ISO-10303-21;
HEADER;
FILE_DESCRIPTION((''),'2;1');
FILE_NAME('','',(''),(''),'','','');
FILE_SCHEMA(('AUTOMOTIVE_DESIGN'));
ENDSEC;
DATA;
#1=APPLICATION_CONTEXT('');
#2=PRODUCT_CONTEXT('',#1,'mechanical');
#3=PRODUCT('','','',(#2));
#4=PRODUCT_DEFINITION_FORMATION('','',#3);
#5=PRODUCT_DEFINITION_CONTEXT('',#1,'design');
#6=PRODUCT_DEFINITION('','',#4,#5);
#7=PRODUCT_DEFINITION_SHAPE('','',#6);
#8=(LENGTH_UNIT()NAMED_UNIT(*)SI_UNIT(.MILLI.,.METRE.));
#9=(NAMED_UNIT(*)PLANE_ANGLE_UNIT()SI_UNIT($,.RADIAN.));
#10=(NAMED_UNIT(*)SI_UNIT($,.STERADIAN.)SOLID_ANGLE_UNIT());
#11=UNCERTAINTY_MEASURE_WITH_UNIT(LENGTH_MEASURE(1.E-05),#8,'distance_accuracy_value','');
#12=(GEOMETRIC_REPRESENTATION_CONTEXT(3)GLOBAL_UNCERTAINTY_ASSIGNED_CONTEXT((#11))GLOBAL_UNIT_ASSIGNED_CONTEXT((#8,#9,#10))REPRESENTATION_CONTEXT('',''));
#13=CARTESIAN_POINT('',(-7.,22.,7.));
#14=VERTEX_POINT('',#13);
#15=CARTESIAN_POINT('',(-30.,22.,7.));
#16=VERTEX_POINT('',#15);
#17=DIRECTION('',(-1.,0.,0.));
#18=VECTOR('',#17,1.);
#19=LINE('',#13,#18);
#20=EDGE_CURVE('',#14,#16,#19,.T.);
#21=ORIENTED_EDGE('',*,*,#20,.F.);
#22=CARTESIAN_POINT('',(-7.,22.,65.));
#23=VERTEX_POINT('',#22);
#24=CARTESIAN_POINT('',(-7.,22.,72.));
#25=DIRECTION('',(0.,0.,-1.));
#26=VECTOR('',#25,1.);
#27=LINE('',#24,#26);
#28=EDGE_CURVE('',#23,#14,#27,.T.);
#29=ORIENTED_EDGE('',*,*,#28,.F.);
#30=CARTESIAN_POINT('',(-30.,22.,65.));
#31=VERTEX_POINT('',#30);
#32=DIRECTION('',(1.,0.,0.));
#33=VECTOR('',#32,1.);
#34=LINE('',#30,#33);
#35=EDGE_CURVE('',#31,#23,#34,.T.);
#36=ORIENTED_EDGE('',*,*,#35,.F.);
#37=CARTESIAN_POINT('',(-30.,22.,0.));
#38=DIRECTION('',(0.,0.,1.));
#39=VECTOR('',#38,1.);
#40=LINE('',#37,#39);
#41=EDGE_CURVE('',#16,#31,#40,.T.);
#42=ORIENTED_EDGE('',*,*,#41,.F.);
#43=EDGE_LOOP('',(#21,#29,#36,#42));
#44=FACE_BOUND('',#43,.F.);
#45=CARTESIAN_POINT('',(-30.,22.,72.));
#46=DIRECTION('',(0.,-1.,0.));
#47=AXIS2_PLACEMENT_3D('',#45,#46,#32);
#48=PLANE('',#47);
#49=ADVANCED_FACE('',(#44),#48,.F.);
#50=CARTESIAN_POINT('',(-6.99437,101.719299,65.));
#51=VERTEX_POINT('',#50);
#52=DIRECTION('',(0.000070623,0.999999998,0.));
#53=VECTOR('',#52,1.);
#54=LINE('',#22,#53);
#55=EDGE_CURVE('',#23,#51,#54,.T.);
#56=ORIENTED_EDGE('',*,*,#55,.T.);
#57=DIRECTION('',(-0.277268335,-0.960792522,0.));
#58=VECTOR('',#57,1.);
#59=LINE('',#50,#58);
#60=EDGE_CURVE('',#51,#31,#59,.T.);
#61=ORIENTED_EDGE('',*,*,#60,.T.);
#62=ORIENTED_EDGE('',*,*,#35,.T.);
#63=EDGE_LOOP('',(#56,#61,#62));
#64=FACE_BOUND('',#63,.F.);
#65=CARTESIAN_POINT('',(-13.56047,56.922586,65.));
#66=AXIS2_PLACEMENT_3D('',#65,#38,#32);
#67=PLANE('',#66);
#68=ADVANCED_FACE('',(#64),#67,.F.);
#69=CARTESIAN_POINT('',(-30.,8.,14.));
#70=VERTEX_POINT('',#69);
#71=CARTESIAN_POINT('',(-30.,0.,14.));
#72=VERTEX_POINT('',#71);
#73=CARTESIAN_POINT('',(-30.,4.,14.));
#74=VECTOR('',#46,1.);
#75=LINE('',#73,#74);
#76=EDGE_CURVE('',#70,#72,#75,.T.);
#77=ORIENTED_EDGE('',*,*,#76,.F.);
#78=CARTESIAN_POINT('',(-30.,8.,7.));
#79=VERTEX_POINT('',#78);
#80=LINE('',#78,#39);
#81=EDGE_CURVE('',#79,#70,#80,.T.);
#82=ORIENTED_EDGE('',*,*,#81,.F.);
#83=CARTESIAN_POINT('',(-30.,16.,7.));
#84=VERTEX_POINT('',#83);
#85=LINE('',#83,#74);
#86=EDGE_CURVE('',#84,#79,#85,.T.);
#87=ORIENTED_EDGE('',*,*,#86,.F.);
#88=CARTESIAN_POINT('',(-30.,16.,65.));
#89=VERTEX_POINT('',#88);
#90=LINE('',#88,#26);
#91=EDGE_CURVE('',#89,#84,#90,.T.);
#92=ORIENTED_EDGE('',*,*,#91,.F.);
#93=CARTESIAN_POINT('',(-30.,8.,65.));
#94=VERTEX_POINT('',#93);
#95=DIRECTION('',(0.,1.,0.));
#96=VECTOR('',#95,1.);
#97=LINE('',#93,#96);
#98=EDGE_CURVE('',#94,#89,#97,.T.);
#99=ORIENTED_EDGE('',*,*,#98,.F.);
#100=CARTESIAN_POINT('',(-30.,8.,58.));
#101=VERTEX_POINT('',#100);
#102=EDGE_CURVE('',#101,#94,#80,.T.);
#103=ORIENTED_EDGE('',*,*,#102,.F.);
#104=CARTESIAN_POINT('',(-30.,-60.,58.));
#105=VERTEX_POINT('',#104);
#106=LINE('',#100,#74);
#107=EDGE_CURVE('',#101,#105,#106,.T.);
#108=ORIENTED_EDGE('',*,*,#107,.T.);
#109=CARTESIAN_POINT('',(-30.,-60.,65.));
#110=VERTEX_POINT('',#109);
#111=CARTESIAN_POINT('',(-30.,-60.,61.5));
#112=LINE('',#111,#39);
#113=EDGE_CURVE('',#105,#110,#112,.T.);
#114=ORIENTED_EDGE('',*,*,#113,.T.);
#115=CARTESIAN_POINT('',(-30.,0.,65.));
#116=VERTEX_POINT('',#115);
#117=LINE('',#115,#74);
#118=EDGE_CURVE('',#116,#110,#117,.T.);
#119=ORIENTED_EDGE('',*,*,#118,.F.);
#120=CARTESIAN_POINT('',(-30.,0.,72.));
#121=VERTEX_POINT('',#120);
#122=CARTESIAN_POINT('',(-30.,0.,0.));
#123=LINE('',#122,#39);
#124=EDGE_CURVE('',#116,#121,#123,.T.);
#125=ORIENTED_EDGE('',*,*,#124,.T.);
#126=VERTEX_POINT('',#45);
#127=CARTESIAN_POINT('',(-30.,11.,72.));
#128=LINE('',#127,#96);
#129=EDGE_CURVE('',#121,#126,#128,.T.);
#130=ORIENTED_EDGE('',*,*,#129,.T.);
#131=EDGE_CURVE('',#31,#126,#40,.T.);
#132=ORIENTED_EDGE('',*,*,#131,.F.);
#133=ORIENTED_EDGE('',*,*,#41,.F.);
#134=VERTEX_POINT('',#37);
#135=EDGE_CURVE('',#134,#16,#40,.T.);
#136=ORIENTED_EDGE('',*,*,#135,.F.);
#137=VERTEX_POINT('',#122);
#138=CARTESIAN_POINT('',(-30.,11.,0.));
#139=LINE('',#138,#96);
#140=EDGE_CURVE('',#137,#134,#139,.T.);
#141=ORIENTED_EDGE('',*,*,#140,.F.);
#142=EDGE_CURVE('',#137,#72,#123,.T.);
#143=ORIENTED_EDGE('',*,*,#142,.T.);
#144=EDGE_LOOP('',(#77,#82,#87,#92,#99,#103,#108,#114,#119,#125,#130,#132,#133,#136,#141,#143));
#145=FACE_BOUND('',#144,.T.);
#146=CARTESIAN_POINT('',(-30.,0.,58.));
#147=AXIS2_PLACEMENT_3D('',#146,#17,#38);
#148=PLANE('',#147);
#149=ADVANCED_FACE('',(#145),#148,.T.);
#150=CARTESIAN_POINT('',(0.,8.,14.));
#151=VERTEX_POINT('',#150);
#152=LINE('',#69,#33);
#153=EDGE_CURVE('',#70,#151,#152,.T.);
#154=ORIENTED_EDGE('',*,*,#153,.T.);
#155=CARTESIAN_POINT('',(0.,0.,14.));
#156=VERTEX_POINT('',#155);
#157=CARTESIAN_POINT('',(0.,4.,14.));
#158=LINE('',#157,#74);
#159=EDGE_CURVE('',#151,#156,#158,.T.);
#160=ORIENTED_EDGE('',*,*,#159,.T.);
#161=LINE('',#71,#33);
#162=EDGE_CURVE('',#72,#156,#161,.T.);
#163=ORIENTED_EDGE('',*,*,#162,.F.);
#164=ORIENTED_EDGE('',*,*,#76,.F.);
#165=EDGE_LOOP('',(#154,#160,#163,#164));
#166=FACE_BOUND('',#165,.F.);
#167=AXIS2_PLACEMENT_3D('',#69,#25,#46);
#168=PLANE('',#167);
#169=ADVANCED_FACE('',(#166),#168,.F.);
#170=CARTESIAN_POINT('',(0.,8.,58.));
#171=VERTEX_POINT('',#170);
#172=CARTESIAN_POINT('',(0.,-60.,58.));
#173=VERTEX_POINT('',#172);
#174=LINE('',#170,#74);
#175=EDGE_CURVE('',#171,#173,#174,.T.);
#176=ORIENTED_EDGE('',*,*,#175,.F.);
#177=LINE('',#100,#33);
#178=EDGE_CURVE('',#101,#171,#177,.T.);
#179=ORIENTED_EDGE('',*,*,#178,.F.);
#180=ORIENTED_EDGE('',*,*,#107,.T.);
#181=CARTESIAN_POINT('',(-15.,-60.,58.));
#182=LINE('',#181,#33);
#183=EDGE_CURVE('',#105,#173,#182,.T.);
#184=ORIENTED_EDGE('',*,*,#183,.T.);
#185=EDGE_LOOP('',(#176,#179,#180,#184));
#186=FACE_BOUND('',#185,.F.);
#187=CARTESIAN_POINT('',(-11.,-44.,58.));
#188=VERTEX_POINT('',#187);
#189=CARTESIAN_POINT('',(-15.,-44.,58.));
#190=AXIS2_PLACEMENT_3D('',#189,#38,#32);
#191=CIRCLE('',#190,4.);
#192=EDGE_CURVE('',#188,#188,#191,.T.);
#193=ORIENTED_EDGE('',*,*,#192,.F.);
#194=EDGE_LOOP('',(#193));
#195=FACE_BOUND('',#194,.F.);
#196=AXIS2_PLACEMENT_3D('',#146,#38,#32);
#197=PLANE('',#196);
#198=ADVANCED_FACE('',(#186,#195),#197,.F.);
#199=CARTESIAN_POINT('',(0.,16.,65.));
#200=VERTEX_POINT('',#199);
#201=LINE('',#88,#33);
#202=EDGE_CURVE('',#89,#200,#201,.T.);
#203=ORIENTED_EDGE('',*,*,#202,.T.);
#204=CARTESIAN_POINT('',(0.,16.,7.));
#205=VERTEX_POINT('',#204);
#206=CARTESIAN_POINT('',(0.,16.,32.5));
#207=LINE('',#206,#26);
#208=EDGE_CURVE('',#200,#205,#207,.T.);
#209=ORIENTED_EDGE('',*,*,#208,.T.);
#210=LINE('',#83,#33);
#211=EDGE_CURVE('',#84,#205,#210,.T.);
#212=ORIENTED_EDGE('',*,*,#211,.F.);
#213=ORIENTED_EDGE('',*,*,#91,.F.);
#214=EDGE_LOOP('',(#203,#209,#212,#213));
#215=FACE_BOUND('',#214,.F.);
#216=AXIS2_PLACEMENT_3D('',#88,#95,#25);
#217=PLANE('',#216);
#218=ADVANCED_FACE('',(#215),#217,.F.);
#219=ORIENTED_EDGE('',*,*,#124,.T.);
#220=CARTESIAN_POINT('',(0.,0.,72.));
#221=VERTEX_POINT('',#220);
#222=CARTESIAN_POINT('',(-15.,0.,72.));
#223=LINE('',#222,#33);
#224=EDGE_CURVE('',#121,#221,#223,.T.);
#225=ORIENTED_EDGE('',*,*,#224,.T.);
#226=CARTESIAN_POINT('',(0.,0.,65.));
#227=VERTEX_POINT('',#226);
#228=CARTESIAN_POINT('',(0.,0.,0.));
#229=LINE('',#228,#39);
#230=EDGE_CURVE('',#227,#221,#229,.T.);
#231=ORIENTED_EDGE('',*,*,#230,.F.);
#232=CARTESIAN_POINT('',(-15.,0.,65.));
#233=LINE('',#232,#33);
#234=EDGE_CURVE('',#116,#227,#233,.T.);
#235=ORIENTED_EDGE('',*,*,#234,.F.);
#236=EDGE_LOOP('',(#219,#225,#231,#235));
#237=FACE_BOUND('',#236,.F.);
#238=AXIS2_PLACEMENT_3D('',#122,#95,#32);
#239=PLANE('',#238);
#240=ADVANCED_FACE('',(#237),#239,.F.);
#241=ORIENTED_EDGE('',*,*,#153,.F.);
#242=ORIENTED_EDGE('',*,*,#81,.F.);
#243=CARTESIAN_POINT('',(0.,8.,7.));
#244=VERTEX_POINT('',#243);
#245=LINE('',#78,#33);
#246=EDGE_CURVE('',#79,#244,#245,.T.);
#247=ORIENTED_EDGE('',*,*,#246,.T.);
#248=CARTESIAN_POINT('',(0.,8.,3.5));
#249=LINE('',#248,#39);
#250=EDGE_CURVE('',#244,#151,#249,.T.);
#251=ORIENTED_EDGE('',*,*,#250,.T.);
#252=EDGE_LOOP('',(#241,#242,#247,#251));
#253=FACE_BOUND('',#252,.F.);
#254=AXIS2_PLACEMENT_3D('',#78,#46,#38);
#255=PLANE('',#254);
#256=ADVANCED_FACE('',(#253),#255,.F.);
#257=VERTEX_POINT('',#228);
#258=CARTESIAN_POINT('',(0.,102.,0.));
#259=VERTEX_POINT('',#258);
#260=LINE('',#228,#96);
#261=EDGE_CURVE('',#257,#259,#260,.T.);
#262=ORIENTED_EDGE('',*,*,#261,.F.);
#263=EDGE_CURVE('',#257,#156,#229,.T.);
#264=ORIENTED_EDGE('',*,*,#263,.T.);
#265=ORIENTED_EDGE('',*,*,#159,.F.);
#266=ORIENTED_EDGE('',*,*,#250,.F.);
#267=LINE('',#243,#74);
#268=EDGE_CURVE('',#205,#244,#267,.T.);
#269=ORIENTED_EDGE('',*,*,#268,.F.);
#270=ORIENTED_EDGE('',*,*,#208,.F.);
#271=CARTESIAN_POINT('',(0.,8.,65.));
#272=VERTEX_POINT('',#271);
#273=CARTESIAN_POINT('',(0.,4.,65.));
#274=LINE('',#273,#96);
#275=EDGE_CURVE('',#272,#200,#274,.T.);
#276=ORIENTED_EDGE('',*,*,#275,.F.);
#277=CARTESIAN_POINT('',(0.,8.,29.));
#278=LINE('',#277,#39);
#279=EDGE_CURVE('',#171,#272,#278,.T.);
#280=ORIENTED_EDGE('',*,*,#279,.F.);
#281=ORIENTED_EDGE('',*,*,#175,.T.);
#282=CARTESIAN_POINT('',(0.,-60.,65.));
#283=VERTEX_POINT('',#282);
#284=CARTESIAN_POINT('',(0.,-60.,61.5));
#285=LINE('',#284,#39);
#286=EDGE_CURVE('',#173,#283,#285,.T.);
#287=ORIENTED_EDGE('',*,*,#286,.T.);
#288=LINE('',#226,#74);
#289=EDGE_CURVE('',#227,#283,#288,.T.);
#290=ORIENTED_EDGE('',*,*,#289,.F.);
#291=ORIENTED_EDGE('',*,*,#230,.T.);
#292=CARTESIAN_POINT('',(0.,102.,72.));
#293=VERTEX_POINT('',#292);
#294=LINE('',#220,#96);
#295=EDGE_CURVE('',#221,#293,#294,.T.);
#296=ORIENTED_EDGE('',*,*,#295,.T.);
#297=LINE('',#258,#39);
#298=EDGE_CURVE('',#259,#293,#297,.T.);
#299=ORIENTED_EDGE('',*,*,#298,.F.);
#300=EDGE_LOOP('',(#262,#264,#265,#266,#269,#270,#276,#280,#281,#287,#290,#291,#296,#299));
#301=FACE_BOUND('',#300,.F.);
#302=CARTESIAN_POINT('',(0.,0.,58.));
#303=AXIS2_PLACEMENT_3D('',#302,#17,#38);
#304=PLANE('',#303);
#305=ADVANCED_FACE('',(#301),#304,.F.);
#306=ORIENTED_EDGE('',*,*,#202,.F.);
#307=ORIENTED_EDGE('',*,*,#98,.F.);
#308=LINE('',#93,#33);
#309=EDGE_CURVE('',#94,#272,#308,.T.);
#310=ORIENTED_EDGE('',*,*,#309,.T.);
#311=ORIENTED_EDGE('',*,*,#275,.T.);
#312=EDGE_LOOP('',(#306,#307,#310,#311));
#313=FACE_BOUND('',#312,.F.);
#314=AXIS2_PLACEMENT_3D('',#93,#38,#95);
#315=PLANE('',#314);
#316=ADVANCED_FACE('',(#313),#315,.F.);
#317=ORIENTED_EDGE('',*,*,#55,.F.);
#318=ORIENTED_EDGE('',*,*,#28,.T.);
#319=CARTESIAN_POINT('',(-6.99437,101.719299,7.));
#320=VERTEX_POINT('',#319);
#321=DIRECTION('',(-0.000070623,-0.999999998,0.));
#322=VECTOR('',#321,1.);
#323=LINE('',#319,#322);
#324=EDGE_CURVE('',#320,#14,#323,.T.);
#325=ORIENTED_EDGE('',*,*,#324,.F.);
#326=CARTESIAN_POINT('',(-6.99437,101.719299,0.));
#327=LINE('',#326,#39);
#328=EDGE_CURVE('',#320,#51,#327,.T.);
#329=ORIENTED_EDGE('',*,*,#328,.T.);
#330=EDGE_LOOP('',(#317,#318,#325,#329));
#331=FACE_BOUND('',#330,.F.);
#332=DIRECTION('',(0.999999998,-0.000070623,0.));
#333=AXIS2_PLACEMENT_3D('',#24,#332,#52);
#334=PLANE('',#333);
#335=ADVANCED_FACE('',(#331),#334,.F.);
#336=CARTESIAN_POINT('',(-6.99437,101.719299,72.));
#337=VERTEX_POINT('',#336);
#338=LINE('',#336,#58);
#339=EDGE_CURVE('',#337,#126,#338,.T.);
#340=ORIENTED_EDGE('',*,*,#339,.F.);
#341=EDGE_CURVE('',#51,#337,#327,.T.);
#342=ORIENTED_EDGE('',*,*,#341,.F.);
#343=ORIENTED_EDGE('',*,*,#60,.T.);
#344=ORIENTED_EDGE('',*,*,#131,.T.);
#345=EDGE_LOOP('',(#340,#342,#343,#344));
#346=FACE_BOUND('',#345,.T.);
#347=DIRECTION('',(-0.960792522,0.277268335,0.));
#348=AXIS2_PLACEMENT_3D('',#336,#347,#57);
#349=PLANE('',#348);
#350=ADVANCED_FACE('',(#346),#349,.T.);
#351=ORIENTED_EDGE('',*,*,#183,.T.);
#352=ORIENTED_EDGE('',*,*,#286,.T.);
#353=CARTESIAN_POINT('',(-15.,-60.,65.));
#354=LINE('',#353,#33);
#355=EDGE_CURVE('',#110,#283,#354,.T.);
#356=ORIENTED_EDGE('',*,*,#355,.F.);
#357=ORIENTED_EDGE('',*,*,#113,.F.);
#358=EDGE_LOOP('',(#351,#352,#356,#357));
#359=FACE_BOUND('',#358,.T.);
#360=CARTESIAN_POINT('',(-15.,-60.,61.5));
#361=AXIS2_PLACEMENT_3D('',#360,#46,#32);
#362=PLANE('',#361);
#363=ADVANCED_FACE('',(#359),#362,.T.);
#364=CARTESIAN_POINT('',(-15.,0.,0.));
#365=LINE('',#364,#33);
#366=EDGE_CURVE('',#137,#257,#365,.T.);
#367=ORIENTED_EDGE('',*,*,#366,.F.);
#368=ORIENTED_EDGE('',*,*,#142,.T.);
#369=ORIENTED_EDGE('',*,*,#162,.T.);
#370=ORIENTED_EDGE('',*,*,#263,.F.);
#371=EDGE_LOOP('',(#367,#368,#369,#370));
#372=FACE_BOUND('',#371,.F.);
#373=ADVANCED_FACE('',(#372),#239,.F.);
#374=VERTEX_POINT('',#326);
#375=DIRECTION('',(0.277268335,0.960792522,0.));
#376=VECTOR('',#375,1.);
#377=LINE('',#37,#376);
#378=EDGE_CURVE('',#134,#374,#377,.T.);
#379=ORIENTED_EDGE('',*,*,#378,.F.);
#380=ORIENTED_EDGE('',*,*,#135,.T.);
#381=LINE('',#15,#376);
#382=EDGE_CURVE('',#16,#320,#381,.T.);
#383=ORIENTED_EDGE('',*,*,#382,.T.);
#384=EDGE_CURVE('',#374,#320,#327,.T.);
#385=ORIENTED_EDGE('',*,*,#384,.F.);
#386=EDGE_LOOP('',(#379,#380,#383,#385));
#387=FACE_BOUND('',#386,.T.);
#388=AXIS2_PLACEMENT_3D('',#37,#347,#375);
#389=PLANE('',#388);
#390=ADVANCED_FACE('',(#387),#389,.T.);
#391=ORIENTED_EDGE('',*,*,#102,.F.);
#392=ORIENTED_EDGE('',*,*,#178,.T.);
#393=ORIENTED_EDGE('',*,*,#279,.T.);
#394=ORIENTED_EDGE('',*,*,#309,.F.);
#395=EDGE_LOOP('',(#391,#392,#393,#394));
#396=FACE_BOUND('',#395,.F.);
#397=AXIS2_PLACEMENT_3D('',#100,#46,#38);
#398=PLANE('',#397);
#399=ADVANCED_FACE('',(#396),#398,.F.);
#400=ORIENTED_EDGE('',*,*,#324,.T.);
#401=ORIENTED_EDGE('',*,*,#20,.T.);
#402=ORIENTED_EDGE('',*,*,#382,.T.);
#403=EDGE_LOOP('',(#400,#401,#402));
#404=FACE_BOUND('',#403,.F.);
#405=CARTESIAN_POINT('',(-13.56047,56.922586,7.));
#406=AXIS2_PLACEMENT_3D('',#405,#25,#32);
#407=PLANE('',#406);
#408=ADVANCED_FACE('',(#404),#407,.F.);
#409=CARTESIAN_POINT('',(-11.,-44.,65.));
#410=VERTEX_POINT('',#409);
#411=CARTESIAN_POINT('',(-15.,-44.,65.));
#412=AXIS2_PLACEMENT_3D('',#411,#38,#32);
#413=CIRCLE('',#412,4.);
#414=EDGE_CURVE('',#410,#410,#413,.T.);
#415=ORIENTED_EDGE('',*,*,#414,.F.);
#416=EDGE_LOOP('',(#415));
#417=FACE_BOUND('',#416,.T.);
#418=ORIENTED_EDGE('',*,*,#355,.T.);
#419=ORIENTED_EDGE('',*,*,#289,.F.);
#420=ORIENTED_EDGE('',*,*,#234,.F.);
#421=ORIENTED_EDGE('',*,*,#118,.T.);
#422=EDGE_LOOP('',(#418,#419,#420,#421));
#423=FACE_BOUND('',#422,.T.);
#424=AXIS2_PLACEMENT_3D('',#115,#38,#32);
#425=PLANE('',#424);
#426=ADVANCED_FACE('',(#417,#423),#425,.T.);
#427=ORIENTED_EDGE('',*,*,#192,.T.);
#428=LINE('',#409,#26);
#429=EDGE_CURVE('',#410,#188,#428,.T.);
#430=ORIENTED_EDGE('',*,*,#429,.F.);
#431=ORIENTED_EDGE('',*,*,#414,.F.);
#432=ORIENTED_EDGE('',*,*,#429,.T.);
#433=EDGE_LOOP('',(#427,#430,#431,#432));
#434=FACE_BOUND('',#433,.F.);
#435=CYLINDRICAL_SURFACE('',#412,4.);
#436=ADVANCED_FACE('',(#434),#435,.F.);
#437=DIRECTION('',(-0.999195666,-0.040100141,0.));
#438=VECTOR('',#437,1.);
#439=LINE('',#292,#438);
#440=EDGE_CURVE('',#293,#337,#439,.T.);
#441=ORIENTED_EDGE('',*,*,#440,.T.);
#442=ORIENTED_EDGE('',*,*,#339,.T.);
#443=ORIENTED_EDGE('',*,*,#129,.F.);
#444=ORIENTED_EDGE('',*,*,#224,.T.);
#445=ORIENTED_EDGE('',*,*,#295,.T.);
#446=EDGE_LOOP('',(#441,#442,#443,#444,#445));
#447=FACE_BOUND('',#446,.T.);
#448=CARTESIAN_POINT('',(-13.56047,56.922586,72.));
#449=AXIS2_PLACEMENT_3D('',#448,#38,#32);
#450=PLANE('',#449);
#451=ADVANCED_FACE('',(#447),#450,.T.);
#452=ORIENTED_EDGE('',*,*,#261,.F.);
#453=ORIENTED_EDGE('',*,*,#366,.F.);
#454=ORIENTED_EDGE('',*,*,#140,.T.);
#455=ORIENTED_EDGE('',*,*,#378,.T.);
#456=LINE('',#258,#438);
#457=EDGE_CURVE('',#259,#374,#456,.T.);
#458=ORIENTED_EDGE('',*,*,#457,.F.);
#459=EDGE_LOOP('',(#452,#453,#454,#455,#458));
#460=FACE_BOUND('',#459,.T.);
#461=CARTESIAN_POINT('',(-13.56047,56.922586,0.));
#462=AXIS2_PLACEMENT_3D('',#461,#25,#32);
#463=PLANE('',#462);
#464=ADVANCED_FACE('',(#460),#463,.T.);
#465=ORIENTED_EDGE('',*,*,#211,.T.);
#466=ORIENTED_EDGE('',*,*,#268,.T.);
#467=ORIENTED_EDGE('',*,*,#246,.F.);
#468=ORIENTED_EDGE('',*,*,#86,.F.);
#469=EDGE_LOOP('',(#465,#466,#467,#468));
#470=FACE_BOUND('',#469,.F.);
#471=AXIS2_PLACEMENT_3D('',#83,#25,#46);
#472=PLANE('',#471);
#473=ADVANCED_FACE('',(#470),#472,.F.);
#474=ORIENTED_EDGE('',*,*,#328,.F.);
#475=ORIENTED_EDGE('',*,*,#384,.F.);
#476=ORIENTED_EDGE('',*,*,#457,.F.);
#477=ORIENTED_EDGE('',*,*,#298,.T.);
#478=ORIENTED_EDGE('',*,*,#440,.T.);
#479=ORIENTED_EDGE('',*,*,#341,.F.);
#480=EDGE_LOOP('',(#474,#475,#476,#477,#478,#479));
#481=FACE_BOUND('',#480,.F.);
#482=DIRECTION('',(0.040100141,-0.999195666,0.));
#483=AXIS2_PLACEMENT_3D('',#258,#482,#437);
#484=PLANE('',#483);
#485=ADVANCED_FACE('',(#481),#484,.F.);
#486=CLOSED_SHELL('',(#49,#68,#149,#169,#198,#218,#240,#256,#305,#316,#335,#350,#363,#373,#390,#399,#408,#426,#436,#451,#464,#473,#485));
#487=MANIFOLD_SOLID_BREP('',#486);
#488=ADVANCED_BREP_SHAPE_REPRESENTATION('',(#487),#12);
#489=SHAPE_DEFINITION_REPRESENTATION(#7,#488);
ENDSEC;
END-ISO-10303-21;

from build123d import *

# Parameters (mm, degrees)
F0_W      = 30
F0_H      = 22
F1_DEPTH  = 72
F3_DEPTH  = 72.001
F4_DEPTH  = 7
F6_DEPTH  = 7
F7_W      = 8
F7_H      = 44
F8_DEPTH  = 30.001
F9_W      = 30
F9_H      = 7
F10_DEPTH = 60
F11_R     = 4
F12_DEPTH = 65.001


with BuildPart() as f1:
    # F0 (on Top) → F1 (new body)
    with BuildSketch(Plane.XY):
        with Locations((-15, 11)):
            Rectangle(F0_W, F0_H)
        Polygon((-6.99437, 101.719299), (-30, 22), (0, 22), (0, 102), align=None)
    extrude(amount=F1_DEPTH)

    # F2 (on face) → F3 (cut, through all)
    with BuildSketch(Plane.XY.offset(72)):
        Polygon((-6.99437, 101.719299), (-30, 22), (-7, 22), align=None)
    extrude(amount=-F3_DEPTH, mode=Mode.SUBTRACT)

    # F2 (on face) → F4 (join)
    with BuildSketch(Plane.XY.offset(72)):
        Polygon((-6.99437, 101.719299), (-30, 22), (-7, 22), align=None)
    extrude(amount=-F4_DEPTH)

    # F5 (on face) → F6 (join)
    with BuildSketch(Plane(origin=(0, 0, 0), x_dir=(1, 0, 0), z_dir=(0, 0, -1))):
        Polygon((-6.99437, -101.719299), (-7, -22), (-30, -22), align=None)
    extrude(amount=-F6_DEPTH)

    # F7 (on face) → F8 (cut, through all)
    with BuildSketch(Plane(origin=(-30, 0, 0), x_dir=(0, -1, 0), z_dir=(-1, 0, 0))):
        Polygon((-8, 65), (-16, 65), (-16, 7), (-8, 7), (-8, 14), (-8, 58), align=None)
        with Locations((-4, 36)):
            Rectangle(F7_W, F7_H)
    extrude(amount=-F8_DEPTH, mode=Mode.SUBTRACT)

    # F9 (on face) → F10 (join)
    with BuildSketch(Plane.XZ):
        with Locations((-15, 61.5)):
            Rectangle(F9_W, F9_H)
    extrude(amount=F10_DEPTH)

    # F11 (on face) → F12 (cut, through all)
    with BuildSketch(Plane.XY.offset(65)):
        with Locations((-15, -44)):
            Circle(F11_R)
    extrude(amount=-F12_DEPTH, mode=Mode.SUBTRACT)


solid = f1.part
